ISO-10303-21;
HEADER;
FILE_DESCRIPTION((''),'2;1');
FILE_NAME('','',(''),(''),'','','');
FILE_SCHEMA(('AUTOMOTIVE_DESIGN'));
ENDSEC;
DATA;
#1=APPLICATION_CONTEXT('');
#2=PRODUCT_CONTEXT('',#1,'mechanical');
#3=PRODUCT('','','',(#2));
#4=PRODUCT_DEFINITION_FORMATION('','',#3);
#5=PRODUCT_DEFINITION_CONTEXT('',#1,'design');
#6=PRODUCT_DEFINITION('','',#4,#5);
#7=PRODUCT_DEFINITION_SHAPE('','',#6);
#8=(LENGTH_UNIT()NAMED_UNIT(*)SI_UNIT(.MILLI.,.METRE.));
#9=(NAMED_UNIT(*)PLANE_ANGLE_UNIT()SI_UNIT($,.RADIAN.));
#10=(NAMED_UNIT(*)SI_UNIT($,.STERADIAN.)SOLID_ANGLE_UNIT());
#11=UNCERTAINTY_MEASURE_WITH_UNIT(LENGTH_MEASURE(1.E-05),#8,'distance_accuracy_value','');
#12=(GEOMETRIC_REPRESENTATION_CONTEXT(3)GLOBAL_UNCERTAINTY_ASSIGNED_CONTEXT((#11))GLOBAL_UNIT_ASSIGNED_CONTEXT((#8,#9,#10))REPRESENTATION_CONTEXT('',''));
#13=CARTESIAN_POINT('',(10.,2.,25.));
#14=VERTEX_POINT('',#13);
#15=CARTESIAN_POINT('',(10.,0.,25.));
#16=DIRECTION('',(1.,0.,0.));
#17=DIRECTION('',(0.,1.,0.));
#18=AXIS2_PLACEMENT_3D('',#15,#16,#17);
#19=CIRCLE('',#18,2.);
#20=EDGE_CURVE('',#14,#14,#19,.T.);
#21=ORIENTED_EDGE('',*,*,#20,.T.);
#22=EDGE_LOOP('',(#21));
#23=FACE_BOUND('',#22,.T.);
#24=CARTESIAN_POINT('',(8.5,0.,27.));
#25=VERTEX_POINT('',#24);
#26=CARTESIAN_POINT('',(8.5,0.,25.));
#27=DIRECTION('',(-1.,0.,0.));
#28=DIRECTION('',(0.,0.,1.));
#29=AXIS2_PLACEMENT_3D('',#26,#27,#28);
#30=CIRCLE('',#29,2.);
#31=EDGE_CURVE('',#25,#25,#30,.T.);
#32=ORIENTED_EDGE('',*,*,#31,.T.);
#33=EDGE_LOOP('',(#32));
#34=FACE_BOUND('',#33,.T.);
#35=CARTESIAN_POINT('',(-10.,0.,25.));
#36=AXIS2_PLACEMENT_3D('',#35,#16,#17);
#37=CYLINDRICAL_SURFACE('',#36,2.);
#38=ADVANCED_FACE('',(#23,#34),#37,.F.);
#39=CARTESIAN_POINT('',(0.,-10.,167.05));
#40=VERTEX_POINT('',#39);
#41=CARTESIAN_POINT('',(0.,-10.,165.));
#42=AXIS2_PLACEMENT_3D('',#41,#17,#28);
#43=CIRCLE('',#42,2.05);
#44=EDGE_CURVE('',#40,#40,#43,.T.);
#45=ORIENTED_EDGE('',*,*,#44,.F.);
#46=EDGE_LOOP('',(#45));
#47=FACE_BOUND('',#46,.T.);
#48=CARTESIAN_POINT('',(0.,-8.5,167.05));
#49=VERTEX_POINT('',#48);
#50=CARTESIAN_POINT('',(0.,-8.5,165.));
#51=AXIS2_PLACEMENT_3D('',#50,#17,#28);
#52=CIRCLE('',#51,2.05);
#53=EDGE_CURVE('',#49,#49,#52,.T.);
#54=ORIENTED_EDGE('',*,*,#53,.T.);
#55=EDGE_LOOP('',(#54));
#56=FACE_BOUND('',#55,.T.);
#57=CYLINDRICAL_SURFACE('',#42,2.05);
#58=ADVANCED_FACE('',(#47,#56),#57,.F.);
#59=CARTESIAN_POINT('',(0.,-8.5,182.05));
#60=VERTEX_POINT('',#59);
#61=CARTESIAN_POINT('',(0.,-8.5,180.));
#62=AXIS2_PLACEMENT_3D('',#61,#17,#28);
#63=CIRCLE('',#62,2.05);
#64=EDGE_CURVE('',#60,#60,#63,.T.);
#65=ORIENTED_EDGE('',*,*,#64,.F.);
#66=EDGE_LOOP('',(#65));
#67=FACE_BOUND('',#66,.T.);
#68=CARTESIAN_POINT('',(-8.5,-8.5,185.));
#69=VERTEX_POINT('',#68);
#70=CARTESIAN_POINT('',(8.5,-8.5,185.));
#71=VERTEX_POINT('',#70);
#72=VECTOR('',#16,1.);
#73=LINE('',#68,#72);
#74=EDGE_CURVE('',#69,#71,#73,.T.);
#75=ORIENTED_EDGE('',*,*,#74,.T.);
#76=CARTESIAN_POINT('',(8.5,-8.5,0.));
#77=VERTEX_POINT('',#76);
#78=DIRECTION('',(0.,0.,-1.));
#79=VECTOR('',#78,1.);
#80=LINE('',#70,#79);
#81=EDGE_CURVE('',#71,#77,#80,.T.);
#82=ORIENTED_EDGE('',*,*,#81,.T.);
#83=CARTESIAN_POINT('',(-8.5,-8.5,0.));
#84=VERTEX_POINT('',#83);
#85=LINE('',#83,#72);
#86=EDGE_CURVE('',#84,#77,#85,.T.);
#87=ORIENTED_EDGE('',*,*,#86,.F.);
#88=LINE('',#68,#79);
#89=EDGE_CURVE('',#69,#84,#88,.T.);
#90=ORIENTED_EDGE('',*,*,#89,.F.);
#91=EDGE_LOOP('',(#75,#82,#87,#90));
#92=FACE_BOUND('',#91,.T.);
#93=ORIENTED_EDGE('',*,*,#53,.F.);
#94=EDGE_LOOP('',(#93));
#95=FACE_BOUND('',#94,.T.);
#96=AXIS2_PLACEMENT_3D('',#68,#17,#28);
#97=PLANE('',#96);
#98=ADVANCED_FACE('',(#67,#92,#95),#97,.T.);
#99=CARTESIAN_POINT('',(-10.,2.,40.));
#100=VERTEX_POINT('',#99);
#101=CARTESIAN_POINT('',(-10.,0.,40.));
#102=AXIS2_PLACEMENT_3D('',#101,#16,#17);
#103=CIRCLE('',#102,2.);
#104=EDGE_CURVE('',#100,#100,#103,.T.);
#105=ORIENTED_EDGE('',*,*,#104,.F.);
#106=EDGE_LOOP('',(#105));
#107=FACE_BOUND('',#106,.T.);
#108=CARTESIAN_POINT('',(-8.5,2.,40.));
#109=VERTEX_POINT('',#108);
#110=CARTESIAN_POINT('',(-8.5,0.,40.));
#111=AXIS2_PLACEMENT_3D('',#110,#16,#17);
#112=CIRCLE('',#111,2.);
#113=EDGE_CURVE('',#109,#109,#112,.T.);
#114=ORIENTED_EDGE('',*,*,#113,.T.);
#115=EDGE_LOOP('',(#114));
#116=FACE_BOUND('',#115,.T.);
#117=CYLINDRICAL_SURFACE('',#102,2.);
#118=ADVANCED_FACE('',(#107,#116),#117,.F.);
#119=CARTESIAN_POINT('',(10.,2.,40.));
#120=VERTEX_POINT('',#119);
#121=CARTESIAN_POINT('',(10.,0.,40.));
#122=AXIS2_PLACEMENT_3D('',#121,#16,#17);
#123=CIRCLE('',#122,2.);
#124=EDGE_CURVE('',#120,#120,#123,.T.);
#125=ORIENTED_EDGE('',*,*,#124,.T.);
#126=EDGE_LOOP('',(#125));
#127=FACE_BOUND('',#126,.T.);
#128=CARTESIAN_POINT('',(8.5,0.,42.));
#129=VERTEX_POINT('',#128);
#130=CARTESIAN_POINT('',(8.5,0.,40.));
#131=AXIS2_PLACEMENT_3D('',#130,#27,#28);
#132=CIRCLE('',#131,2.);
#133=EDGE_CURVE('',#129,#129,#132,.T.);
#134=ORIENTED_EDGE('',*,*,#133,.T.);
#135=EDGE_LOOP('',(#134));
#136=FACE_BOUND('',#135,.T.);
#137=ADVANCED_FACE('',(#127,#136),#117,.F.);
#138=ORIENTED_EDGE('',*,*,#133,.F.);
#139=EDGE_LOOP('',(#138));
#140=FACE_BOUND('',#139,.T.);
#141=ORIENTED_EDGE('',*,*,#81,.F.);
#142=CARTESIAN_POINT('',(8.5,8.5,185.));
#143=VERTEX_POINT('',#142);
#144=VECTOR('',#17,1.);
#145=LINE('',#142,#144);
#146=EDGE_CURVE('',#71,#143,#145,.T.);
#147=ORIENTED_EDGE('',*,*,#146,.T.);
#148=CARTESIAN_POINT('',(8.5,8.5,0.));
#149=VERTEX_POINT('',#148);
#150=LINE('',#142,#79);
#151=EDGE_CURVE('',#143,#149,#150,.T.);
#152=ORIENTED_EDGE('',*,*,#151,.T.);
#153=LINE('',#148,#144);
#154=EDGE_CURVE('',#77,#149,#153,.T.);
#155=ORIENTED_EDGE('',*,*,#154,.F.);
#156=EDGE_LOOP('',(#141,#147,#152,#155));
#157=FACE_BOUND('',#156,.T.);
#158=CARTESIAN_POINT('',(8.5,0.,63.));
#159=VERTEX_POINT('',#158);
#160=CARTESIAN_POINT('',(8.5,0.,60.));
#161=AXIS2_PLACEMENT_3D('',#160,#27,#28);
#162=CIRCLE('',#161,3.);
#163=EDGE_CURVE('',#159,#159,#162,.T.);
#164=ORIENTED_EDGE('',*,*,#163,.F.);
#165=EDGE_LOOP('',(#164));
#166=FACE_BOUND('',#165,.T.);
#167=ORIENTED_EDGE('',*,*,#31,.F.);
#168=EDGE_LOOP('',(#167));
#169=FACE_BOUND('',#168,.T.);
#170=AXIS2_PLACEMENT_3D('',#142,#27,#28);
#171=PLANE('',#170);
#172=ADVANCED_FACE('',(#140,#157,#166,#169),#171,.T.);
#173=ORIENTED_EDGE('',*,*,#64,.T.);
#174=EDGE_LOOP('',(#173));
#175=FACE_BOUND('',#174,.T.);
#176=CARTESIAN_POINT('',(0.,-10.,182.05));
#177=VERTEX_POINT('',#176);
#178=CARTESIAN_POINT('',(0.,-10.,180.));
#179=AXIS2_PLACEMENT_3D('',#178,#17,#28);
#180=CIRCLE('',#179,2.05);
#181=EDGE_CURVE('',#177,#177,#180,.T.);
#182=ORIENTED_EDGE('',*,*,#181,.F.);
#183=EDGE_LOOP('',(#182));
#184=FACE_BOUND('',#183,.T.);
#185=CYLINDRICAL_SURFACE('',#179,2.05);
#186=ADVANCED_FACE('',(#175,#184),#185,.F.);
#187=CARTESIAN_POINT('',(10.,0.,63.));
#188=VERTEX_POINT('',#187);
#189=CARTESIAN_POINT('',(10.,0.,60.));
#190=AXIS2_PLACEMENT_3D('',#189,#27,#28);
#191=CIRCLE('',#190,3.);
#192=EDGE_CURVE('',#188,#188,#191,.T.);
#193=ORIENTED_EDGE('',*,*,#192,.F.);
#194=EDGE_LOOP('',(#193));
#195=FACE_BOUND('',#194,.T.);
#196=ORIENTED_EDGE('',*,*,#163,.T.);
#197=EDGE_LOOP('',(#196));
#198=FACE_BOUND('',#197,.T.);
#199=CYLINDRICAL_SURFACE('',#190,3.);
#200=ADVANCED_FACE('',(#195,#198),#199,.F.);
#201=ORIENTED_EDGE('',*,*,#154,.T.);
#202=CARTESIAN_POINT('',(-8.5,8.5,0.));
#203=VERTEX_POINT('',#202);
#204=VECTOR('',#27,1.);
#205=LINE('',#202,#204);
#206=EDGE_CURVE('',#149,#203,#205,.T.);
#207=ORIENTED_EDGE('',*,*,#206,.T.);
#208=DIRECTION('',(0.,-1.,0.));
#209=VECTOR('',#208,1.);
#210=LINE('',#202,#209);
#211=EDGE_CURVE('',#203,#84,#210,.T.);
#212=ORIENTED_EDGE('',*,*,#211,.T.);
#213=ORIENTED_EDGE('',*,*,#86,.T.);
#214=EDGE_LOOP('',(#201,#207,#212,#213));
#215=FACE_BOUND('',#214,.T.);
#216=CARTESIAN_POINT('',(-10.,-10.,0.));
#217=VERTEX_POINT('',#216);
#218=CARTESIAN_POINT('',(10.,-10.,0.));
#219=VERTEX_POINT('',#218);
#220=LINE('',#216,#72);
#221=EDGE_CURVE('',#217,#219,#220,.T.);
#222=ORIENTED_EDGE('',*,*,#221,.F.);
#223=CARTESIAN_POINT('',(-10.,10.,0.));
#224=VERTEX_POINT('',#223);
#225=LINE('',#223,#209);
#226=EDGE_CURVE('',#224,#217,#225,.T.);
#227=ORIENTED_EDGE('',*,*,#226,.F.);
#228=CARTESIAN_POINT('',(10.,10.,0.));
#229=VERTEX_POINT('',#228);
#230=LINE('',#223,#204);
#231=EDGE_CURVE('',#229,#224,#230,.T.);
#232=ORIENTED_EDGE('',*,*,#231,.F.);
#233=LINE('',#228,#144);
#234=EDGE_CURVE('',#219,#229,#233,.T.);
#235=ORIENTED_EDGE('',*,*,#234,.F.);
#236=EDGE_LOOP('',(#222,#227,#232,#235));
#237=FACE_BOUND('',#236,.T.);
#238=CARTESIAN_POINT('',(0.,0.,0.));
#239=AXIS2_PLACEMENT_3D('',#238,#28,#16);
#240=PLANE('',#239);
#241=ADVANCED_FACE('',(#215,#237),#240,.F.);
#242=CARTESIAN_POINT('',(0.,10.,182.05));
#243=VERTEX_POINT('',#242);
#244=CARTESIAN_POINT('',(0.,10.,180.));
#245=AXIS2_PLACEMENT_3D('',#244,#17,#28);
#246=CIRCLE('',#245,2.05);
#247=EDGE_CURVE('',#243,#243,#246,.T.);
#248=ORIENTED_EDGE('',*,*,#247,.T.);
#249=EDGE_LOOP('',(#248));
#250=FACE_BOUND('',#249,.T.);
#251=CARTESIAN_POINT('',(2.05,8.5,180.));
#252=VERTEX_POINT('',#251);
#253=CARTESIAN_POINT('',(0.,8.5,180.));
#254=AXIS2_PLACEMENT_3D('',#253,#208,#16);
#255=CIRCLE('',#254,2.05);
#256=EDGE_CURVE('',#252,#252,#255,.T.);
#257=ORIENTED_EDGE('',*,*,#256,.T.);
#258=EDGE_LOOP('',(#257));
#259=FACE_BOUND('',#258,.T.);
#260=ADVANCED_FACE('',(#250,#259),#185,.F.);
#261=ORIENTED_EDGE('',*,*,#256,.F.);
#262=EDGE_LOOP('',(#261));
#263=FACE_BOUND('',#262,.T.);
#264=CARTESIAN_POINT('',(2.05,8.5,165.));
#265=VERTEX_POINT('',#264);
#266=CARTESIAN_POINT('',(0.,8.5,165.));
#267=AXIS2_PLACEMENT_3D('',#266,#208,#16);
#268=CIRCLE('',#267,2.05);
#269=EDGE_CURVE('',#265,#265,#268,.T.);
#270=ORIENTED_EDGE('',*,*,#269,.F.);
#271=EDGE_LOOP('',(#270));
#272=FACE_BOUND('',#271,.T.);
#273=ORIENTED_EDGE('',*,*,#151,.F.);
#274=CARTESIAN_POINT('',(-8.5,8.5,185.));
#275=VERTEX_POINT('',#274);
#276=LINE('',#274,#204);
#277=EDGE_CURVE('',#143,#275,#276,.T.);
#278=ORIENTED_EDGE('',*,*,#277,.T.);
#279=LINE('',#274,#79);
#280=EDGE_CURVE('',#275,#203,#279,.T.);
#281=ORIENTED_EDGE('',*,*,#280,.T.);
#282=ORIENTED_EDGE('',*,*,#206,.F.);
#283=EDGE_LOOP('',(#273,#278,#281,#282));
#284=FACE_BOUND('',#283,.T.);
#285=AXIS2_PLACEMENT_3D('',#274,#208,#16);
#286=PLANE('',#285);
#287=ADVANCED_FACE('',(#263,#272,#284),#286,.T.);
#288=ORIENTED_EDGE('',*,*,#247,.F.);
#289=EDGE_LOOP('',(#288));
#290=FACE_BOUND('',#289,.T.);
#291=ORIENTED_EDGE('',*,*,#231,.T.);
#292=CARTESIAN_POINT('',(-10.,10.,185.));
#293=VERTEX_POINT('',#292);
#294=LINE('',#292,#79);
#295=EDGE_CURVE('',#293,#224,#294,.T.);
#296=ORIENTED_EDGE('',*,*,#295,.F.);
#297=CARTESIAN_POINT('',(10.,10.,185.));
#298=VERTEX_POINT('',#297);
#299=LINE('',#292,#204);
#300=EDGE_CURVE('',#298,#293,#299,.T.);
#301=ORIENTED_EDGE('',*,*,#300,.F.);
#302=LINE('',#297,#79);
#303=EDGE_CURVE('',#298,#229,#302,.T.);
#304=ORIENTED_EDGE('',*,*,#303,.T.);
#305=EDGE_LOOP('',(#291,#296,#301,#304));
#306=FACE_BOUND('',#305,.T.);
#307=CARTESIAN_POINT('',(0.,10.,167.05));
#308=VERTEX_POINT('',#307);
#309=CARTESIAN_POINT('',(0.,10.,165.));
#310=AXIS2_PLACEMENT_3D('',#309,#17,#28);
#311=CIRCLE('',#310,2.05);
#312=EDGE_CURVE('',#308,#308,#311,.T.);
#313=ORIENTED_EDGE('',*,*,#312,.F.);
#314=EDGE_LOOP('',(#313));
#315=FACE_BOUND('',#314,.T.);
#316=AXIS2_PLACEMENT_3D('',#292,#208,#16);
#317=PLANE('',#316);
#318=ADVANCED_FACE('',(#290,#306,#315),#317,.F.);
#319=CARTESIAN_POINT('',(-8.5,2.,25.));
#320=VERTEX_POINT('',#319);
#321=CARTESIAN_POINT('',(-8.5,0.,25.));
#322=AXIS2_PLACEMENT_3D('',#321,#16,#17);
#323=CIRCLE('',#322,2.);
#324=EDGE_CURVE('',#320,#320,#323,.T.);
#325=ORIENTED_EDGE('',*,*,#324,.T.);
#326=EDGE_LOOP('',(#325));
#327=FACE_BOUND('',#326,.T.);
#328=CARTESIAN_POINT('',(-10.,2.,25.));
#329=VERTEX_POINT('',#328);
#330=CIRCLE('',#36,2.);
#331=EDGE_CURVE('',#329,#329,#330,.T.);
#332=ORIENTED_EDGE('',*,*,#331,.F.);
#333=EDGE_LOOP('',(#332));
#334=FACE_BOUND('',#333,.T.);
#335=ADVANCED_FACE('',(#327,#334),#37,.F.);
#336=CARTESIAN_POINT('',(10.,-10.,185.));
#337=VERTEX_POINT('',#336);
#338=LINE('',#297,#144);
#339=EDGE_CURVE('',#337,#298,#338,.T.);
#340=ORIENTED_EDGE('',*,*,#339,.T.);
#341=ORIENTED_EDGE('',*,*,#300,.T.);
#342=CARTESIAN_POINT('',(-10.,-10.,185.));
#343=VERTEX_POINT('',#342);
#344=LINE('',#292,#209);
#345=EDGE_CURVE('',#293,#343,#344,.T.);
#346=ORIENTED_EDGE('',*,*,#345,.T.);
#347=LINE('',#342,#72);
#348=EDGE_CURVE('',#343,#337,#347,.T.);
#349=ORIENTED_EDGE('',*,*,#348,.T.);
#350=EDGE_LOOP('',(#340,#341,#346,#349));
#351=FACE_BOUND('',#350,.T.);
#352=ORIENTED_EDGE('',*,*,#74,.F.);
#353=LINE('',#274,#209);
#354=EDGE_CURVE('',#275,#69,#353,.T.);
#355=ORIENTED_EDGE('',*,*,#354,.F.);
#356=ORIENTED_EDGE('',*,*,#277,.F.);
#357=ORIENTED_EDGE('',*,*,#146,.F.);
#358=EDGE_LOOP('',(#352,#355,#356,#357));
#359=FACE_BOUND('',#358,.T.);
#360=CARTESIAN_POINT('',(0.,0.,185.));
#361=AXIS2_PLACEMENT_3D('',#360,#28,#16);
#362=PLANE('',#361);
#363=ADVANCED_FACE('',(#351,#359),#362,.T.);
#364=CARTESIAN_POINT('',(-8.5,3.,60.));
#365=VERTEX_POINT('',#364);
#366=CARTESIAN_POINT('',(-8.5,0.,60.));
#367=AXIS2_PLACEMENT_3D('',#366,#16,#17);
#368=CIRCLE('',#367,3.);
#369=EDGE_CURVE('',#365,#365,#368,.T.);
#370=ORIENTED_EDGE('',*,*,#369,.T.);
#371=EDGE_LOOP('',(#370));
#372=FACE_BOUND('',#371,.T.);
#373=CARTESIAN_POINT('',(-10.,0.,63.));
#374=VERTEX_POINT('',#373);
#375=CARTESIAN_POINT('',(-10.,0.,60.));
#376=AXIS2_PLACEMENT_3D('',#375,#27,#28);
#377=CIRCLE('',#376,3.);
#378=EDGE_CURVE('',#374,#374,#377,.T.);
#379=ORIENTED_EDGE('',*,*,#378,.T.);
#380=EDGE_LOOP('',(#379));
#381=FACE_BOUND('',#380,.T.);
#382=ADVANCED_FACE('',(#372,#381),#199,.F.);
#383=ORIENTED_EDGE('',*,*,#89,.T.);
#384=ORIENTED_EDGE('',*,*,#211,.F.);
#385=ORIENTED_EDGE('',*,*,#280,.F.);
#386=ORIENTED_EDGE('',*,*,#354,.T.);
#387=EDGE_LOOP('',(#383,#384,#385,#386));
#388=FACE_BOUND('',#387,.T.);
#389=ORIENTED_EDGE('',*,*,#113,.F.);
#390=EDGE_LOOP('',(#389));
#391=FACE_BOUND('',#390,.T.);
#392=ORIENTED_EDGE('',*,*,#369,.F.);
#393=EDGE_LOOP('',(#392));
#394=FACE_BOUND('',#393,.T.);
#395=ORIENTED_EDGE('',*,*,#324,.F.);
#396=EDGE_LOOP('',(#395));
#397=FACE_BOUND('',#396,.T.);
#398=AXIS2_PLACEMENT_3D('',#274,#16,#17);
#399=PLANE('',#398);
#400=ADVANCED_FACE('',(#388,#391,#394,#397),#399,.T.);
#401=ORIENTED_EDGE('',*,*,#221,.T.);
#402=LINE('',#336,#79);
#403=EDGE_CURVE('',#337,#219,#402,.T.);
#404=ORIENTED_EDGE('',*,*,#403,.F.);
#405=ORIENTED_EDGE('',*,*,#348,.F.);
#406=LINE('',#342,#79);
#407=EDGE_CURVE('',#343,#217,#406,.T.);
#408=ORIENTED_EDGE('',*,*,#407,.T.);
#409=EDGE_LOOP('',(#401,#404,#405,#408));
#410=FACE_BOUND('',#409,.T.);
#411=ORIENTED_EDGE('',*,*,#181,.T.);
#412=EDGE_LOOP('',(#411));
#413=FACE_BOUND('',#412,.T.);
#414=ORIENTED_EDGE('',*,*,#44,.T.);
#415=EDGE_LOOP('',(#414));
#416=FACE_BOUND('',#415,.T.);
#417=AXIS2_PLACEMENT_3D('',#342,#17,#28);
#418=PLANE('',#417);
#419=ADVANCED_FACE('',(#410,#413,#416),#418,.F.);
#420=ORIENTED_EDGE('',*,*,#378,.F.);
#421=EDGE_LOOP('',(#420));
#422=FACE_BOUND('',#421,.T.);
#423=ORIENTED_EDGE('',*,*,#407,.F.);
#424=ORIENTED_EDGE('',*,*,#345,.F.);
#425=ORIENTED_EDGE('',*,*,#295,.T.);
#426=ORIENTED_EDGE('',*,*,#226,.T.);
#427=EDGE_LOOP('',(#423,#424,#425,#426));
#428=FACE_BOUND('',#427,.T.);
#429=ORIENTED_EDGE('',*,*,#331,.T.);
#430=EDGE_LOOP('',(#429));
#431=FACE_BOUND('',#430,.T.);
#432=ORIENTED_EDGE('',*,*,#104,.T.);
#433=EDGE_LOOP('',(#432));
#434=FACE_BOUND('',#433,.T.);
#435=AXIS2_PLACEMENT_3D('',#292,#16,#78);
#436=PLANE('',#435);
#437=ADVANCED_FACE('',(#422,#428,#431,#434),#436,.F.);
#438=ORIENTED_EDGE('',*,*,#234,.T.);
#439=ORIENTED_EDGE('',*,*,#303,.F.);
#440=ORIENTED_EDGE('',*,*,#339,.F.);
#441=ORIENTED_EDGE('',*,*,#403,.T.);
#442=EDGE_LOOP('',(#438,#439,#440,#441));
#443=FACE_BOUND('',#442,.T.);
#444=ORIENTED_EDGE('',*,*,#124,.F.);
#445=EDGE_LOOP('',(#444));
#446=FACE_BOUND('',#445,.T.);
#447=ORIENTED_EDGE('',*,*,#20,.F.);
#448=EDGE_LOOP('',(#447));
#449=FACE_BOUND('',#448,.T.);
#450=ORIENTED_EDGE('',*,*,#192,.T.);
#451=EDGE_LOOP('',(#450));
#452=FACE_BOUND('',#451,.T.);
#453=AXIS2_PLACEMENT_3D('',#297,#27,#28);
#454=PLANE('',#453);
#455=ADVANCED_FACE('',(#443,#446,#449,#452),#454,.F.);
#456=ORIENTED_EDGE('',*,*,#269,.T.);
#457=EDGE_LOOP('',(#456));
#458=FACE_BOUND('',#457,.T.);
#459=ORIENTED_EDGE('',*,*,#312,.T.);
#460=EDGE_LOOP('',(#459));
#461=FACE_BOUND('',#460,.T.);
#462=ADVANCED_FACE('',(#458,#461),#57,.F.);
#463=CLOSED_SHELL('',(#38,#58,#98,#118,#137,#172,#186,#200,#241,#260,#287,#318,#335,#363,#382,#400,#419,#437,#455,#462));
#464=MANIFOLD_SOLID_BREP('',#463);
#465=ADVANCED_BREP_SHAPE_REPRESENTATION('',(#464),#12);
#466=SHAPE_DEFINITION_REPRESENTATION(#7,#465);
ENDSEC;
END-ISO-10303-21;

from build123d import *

# Parameters (mm, degrees)
SKETCH_1_W          = 20
SKETCH_1_H          = 20
SKETCH_1_W_2        = 17
SKETCH_1_H_2        = 17
EXTRUDE_1_DEPTH     = 185
SKETCH_2_R          = 2.05
CUT_EXTRUDE_1_DEPTH = 187.346451536
SKETCH_3_R          = 2
CUT_EXTRUDE_2_DEPTH = 187.346451536
SKETCH_4_R          = 3
CUT_EXTRUDE_3_DEPTH = 187.346451536


with BuildPart() as part:
    # 草图1 → 凸台-拉伸1 (new body)
    with BuildSketch(Plane.XY):
        Rectangle(SKETCH_1_W, SKETCH_1_H)
        Rectangle(SKETCH_1_W_2, SKETCH_1_H_2, mode=Mode.SUBTRACT)
    extrude(amount=EXTRUDE_1_DEPTH)

    # 草图2 → 切除-拉伸1 (cut, through all)
    with BuildSketch(Plane(origin=(0, 10, 0), x_dir=(1, 0, 0), z_dir=(0, 1, 0))):
        with Locations(Location((0, -180, 0), (0, 0, 270))):
            Circle(SKETCH_2_R)
        with Locations(Location((0, -165, 0), (0, 0, 270))):
            Circle(SKETCH_2_R)
    extrude(amount=-CUT_EXTRUDE_1_DEPTH, mode=Mode.SUBTRACT)

    # 草图3 → 切除-拉伸2 (cut, through all)
    with BuildSketch(Plane(origin=(10, 0, 0), x_dir=(0, 0, -1), z_dir=(1, 0, 0))):
        with Locations(Location((-25, 0, 0), (0, 0, 90))):
            Circle(SKETCH_3_R)
        with Locations(Location((-40, 0, 0), (0, 0, 90))):
            Circle(SKETCH_3_R)
    extrude(amount=-CUT_EXTRUDE_2_DEPTH, mode=Mode.SUBTRACT)

    # 草图4 → 切除-拉伸3 (cut, through all)
    with BuildSketch(Plane.ZY.offset(10)):
        with Locations((60, 0)):
            Circle(SKETCH_4_R)
    extrude(amount=-CUT_EXTRUDE_3_DEPTH, mode=Mode.SUBTRACT)


solid = part.part
